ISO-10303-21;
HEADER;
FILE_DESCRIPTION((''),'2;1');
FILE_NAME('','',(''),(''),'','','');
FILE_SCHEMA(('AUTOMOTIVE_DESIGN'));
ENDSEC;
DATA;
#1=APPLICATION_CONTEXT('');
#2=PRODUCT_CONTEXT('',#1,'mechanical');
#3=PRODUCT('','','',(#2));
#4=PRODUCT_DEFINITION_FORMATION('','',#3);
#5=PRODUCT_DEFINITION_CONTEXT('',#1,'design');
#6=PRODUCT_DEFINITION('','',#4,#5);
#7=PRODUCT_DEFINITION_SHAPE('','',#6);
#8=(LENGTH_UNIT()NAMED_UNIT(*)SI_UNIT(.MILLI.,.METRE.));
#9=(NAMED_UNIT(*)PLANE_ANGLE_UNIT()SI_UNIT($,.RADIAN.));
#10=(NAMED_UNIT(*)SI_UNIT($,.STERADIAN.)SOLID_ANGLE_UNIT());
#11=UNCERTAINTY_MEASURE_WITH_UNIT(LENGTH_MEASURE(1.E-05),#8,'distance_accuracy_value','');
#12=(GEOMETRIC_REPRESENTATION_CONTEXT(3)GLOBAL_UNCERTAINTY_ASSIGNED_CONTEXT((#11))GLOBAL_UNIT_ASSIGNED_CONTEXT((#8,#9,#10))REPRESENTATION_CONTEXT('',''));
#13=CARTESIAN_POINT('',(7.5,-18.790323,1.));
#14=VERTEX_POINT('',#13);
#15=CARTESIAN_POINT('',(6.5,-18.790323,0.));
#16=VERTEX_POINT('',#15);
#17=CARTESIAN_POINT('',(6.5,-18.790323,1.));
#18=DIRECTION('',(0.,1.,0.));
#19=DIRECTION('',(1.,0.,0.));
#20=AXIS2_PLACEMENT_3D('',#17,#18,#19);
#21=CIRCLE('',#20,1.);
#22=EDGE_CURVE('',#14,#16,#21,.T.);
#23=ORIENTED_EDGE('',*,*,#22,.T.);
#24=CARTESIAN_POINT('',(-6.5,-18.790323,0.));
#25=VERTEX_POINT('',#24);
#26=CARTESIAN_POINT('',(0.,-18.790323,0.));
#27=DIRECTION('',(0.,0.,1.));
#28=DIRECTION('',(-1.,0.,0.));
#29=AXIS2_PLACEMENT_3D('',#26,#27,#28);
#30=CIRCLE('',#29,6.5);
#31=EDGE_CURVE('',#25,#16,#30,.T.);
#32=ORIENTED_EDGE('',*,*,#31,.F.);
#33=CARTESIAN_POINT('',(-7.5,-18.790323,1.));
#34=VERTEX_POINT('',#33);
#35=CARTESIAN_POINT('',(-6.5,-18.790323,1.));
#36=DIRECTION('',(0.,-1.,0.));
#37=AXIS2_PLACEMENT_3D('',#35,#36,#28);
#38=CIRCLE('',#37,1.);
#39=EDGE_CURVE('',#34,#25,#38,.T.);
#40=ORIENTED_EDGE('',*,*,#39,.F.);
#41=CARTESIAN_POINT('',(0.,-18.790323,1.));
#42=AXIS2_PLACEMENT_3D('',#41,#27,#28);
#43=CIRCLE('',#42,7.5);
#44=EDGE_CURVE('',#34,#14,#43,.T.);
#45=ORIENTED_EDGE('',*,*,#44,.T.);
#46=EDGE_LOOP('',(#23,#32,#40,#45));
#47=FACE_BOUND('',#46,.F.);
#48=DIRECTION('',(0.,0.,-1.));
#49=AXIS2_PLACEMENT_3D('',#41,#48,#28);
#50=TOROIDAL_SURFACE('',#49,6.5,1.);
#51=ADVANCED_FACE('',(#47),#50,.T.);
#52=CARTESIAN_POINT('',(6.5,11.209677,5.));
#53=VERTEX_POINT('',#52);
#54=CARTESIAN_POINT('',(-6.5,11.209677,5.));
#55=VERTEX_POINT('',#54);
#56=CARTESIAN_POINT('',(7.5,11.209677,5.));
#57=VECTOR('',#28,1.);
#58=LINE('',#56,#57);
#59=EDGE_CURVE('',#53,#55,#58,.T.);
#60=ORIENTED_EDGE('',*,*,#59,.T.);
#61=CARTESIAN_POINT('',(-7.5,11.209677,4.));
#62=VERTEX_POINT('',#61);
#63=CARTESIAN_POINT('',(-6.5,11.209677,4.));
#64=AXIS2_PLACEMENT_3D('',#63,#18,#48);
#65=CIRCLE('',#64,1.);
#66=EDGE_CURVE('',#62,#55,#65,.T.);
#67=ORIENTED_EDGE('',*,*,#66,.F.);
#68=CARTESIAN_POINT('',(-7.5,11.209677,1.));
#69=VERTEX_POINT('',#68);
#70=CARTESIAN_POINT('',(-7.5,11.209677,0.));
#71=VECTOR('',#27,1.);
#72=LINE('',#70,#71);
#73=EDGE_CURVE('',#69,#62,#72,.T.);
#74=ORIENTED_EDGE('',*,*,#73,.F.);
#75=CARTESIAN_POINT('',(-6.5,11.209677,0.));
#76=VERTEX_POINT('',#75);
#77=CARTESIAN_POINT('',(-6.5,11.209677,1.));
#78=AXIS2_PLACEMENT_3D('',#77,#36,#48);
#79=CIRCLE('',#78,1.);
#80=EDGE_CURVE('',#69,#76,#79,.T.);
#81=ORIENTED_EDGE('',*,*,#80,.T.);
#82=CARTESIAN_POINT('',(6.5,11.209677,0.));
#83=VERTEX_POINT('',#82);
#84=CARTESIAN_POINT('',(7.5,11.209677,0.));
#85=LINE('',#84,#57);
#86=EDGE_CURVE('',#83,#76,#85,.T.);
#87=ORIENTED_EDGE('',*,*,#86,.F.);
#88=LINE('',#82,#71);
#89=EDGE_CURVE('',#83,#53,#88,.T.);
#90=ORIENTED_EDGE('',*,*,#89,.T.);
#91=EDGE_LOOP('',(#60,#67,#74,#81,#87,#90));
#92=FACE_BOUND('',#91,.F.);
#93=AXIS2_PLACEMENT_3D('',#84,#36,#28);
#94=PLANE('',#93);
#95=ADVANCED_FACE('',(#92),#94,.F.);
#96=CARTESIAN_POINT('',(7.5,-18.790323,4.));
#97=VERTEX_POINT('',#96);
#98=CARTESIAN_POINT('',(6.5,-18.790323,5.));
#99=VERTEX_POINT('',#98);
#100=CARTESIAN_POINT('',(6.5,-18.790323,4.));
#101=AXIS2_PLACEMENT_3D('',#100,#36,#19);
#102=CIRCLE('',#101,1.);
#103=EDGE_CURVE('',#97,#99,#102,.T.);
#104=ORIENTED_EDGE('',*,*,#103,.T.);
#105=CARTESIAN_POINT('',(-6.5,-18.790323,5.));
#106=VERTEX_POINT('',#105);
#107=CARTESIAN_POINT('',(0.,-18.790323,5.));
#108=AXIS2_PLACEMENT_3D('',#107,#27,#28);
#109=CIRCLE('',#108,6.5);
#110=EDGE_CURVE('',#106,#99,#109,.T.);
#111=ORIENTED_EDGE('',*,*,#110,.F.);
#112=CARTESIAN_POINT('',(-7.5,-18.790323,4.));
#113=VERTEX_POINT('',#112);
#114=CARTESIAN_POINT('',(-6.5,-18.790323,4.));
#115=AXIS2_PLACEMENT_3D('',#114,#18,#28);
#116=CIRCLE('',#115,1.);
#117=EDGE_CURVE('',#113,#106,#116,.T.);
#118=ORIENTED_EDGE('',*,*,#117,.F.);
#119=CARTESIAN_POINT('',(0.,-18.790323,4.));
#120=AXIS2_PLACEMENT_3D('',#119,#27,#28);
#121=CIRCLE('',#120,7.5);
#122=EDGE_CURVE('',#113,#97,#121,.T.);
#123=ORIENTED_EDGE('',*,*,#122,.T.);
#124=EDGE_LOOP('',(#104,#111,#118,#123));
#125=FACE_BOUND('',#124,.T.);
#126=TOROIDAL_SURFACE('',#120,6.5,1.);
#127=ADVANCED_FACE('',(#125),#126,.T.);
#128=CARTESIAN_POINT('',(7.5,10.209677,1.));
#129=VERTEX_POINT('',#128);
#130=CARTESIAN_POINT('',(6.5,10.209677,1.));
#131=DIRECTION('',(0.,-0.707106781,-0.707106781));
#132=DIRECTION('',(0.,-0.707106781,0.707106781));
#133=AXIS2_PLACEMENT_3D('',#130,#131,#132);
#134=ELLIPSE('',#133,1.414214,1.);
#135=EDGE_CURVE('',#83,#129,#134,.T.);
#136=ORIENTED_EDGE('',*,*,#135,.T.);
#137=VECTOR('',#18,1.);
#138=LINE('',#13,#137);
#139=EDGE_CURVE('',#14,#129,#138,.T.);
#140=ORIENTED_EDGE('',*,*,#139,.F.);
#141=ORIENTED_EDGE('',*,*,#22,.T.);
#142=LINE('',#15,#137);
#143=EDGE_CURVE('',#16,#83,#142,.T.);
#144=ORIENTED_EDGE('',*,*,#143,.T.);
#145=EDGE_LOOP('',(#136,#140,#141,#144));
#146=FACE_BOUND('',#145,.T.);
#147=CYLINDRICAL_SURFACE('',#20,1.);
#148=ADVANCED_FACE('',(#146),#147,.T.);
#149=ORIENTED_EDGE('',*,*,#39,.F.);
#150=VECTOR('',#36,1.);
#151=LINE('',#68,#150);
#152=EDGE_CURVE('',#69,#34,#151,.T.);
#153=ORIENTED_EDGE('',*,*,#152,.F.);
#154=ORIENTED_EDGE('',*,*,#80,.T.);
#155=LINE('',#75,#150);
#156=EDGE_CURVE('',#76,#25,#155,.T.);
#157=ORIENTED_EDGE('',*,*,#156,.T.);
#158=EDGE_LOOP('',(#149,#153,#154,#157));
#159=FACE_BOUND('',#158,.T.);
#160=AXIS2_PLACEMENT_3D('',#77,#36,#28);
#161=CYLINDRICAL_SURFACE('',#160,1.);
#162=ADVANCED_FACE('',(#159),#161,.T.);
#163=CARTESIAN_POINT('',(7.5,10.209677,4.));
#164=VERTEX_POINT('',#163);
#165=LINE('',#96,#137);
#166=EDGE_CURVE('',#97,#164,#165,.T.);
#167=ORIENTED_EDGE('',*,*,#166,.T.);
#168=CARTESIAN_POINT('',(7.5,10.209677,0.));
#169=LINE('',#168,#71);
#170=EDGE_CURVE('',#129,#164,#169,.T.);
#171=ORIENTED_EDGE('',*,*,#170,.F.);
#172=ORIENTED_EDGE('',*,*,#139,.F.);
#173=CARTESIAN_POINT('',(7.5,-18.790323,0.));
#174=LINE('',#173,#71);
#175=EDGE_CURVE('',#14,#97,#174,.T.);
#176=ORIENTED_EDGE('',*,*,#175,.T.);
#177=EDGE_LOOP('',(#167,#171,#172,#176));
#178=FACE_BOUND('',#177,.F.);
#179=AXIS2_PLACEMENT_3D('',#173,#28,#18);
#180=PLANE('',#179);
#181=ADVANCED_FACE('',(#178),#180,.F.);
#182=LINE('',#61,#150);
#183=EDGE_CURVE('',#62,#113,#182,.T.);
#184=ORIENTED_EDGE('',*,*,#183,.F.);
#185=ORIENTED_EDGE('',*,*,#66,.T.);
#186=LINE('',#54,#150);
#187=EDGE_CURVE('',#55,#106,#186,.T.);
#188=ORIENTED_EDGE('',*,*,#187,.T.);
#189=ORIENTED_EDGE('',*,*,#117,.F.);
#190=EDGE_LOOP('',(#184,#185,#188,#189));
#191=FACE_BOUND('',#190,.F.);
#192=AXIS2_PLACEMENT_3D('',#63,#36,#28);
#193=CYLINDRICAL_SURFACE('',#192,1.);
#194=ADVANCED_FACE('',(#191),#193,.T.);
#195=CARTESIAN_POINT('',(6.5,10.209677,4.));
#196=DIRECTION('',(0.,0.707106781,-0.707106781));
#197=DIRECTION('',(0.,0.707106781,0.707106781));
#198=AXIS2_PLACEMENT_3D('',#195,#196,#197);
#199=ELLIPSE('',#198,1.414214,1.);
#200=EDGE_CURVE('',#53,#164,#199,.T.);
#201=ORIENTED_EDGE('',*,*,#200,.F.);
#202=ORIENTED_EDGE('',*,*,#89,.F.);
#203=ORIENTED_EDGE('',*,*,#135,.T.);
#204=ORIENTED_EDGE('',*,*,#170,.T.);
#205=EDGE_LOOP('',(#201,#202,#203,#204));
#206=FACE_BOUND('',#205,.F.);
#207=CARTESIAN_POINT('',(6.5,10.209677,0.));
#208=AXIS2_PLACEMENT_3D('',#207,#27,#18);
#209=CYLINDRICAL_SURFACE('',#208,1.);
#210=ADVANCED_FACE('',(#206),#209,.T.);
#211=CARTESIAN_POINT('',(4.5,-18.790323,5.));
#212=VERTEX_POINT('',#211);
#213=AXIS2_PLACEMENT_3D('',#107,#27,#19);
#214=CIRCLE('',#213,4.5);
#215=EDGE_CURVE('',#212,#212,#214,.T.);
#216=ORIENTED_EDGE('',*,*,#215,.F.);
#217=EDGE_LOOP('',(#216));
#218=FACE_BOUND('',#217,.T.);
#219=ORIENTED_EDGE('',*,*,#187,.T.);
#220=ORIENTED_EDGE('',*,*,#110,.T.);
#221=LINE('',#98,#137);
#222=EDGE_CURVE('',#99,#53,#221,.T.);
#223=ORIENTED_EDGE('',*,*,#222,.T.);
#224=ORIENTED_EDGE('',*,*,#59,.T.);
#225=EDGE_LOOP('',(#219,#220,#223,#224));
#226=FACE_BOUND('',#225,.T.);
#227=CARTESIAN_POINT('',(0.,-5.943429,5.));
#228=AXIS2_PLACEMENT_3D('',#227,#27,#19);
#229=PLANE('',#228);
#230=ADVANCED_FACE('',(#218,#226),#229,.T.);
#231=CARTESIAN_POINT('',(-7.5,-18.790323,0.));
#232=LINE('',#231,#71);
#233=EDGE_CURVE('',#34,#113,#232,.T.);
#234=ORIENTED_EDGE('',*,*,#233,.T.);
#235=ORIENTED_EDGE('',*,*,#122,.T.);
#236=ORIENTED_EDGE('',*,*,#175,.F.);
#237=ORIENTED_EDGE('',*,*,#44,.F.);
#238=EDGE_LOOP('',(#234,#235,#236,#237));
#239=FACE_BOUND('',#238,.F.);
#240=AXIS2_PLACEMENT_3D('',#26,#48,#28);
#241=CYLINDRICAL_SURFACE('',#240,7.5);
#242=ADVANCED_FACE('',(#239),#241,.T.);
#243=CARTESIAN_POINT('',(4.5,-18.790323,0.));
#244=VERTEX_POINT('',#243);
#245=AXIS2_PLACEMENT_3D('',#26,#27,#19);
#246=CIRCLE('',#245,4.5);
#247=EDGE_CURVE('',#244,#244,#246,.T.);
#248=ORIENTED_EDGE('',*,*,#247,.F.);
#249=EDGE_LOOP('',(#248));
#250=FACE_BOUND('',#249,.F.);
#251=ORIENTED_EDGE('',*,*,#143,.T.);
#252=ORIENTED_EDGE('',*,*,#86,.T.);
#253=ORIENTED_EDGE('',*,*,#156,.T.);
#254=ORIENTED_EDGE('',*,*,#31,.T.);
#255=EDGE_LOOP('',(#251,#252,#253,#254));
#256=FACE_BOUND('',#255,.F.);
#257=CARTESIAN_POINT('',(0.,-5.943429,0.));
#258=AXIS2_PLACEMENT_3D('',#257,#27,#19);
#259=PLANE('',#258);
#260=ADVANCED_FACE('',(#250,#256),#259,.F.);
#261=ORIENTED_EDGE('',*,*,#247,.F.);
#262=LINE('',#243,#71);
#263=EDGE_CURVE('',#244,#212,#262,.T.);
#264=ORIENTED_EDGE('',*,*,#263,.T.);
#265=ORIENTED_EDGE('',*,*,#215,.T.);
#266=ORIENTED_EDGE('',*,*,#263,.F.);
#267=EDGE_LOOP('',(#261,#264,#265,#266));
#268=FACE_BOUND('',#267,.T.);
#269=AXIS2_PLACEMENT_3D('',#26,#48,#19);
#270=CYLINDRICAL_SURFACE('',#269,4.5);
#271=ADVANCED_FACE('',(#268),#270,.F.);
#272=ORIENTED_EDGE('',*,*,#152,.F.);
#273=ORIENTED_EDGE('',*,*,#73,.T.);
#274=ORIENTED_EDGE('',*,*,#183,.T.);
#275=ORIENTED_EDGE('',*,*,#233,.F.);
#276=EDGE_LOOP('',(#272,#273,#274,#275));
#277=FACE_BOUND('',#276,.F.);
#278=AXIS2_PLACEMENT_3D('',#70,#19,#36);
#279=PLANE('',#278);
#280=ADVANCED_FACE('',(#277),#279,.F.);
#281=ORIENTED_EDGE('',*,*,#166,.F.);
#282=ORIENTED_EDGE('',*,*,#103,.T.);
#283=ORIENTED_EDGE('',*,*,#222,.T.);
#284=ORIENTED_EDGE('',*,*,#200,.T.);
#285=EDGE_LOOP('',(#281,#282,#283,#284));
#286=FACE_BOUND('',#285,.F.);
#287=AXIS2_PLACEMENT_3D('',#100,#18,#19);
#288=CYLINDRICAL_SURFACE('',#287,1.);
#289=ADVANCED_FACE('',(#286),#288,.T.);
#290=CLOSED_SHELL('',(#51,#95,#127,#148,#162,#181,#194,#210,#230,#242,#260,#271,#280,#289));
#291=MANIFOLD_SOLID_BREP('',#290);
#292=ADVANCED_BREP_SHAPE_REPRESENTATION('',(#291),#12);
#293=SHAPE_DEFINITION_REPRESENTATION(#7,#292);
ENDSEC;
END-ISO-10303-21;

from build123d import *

# Parameters (mm, degrees)
F0_R     = 4.5
F1_DEPTH = 5
F2_R     = 1


with BuildPart() as f1:
    # F0 (on Top) → F1 (new body)
    with BuildSketch(Plane.XY):
        with BuildLine():
            Line((7.5, 11.209677), (-7.5, 11.209677))
            Line((-7.5, 11.209677), (-7.5, -18.790323))
            ThreePointArc((-7.5, -18.790323), (0, -26.290323), (7.5, -18.790323))
            Line((7.5, -18.790323), (7.5, 11.209677))
        make_face()
        with Locations((0, -18.790323)):
            Circle(F0_R, mode=Mode.SUBTRACT)
    extrude(amount=F1_DEPTH)

    # F2
    f2_edges = [f1.edges().sort_by_distance(p)[0] for p in [
        (7.5, -18.790323, 2.5),
        (7.5, 11.209677, 2.5),
        (7.5, -3.790323, 0),
        (7.5, -3.790323, 5),
    ]]
    fillet(f2_edges, radius=F2_R)


solid = f1.part
